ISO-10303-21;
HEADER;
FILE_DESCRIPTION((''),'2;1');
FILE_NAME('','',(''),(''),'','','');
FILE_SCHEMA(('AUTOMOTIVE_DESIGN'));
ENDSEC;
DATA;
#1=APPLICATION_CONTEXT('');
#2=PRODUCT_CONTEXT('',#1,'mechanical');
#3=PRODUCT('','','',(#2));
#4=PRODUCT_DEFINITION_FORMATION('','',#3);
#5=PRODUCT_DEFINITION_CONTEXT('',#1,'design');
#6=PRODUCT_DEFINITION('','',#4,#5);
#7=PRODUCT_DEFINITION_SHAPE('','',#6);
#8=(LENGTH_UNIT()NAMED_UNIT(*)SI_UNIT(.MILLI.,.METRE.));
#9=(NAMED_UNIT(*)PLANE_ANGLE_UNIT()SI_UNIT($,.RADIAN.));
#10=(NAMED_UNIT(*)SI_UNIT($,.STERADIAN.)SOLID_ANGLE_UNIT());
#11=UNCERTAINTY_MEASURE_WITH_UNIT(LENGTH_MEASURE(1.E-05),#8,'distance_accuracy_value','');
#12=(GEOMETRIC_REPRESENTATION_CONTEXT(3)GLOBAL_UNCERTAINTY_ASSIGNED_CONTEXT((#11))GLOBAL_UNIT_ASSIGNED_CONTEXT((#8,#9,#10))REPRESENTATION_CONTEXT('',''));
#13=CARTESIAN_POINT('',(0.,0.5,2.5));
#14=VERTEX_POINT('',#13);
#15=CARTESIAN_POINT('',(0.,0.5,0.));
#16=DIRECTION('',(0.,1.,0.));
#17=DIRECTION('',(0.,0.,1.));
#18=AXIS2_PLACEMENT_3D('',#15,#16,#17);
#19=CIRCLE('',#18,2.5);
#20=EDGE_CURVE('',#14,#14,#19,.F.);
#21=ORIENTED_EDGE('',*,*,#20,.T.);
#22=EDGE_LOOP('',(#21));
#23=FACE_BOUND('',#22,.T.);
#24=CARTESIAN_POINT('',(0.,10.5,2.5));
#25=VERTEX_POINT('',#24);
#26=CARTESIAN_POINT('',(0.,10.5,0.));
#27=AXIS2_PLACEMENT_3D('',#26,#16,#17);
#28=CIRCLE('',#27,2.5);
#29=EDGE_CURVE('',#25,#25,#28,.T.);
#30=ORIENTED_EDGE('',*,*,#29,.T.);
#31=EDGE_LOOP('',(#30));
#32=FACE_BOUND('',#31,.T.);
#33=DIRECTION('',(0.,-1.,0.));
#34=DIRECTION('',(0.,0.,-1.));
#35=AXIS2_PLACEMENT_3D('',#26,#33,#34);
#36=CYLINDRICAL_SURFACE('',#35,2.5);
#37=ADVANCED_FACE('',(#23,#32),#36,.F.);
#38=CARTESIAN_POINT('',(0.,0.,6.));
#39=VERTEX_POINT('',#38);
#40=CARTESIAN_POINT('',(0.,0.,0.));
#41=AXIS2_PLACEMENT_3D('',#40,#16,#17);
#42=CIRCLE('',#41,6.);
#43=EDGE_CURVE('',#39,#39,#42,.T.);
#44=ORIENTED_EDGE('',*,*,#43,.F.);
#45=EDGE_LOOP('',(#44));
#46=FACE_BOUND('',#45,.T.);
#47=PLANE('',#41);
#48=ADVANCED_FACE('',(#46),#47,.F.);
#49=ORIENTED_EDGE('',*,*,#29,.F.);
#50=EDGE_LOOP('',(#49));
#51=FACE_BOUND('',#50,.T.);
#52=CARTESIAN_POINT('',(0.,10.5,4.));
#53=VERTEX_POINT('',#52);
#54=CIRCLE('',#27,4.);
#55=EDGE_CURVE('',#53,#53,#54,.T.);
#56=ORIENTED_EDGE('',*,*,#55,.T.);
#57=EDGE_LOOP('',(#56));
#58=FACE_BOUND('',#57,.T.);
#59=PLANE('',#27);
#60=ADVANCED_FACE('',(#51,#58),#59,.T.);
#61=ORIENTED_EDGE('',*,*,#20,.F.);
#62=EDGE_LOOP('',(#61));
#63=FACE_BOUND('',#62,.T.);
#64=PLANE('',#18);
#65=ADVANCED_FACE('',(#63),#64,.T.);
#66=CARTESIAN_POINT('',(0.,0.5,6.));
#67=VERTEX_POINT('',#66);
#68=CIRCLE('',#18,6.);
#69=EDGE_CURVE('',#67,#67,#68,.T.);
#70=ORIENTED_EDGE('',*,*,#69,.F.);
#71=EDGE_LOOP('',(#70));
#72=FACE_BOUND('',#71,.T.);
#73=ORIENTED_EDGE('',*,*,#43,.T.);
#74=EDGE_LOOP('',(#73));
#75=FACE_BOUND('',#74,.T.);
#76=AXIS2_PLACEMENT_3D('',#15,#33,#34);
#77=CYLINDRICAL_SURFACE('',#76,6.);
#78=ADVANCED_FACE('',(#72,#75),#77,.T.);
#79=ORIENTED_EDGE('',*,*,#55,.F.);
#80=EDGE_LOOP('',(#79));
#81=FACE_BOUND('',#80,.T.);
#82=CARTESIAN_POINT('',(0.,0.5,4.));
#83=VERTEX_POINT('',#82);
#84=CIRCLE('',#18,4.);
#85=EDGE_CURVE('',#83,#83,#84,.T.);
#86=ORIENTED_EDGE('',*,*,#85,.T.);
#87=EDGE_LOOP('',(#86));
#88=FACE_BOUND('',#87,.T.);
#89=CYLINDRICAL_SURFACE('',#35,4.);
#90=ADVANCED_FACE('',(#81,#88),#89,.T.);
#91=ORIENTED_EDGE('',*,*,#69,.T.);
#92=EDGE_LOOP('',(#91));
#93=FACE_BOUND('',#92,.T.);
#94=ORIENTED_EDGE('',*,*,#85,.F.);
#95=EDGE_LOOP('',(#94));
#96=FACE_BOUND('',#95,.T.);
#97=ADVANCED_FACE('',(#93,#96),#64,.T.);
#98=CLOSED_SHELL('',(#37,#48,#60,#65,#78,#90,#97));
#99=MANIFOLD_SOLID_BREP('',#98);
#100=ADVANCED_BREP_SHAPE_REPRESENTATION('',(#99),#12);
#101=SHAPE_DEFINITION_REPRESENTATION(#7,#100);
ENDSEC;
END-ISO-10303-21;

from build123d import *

# Parameters (mm, degrees)
CROQUIS2_R              = 6
SALIENTE_EXTRUIR1_DEPTH = 0.5
CROQUIS3_R              = 4
CROQUIS3_R_2            = 2.5
SALIENTE_EXTRUIR2_DEPTH = 10


with BuildPart() as part:
    # Croquis2 → Saliente-Extruir1 (new body)
    with BuildSketch(Plane(origin=(0, 0, 0), x_dir=(1, 0, 0), z_dir=(0, 1, 0))):
        with Locations(Location((0, 0, 0), (0, 0, 270))):
            Circle(CROQUIS2_R)
    extrude(amount=SALIENTE_EXTRUIR1_DEPTH)

    # Croquis3 → Saliente-Extruir2 (add)
    with BuildSketch(Plane(origin=(0, 0.5, 0), x_dir=(1, 0, 0), z_dir=(0, 1, 0))):
        with Locations(Location((0, 0, 0), (0, 0, 270))):
            Circle(CROQUIS3_R)
        with Locations(Location((0, 0, 0), (0, 0, 270))):
            Circle(CROQUIS3_R_2, mode=Mode.SUBTRACT)
    extrude(amount=SALIENTE_EXTRUIR2_DEPTH)


solid = part.part
